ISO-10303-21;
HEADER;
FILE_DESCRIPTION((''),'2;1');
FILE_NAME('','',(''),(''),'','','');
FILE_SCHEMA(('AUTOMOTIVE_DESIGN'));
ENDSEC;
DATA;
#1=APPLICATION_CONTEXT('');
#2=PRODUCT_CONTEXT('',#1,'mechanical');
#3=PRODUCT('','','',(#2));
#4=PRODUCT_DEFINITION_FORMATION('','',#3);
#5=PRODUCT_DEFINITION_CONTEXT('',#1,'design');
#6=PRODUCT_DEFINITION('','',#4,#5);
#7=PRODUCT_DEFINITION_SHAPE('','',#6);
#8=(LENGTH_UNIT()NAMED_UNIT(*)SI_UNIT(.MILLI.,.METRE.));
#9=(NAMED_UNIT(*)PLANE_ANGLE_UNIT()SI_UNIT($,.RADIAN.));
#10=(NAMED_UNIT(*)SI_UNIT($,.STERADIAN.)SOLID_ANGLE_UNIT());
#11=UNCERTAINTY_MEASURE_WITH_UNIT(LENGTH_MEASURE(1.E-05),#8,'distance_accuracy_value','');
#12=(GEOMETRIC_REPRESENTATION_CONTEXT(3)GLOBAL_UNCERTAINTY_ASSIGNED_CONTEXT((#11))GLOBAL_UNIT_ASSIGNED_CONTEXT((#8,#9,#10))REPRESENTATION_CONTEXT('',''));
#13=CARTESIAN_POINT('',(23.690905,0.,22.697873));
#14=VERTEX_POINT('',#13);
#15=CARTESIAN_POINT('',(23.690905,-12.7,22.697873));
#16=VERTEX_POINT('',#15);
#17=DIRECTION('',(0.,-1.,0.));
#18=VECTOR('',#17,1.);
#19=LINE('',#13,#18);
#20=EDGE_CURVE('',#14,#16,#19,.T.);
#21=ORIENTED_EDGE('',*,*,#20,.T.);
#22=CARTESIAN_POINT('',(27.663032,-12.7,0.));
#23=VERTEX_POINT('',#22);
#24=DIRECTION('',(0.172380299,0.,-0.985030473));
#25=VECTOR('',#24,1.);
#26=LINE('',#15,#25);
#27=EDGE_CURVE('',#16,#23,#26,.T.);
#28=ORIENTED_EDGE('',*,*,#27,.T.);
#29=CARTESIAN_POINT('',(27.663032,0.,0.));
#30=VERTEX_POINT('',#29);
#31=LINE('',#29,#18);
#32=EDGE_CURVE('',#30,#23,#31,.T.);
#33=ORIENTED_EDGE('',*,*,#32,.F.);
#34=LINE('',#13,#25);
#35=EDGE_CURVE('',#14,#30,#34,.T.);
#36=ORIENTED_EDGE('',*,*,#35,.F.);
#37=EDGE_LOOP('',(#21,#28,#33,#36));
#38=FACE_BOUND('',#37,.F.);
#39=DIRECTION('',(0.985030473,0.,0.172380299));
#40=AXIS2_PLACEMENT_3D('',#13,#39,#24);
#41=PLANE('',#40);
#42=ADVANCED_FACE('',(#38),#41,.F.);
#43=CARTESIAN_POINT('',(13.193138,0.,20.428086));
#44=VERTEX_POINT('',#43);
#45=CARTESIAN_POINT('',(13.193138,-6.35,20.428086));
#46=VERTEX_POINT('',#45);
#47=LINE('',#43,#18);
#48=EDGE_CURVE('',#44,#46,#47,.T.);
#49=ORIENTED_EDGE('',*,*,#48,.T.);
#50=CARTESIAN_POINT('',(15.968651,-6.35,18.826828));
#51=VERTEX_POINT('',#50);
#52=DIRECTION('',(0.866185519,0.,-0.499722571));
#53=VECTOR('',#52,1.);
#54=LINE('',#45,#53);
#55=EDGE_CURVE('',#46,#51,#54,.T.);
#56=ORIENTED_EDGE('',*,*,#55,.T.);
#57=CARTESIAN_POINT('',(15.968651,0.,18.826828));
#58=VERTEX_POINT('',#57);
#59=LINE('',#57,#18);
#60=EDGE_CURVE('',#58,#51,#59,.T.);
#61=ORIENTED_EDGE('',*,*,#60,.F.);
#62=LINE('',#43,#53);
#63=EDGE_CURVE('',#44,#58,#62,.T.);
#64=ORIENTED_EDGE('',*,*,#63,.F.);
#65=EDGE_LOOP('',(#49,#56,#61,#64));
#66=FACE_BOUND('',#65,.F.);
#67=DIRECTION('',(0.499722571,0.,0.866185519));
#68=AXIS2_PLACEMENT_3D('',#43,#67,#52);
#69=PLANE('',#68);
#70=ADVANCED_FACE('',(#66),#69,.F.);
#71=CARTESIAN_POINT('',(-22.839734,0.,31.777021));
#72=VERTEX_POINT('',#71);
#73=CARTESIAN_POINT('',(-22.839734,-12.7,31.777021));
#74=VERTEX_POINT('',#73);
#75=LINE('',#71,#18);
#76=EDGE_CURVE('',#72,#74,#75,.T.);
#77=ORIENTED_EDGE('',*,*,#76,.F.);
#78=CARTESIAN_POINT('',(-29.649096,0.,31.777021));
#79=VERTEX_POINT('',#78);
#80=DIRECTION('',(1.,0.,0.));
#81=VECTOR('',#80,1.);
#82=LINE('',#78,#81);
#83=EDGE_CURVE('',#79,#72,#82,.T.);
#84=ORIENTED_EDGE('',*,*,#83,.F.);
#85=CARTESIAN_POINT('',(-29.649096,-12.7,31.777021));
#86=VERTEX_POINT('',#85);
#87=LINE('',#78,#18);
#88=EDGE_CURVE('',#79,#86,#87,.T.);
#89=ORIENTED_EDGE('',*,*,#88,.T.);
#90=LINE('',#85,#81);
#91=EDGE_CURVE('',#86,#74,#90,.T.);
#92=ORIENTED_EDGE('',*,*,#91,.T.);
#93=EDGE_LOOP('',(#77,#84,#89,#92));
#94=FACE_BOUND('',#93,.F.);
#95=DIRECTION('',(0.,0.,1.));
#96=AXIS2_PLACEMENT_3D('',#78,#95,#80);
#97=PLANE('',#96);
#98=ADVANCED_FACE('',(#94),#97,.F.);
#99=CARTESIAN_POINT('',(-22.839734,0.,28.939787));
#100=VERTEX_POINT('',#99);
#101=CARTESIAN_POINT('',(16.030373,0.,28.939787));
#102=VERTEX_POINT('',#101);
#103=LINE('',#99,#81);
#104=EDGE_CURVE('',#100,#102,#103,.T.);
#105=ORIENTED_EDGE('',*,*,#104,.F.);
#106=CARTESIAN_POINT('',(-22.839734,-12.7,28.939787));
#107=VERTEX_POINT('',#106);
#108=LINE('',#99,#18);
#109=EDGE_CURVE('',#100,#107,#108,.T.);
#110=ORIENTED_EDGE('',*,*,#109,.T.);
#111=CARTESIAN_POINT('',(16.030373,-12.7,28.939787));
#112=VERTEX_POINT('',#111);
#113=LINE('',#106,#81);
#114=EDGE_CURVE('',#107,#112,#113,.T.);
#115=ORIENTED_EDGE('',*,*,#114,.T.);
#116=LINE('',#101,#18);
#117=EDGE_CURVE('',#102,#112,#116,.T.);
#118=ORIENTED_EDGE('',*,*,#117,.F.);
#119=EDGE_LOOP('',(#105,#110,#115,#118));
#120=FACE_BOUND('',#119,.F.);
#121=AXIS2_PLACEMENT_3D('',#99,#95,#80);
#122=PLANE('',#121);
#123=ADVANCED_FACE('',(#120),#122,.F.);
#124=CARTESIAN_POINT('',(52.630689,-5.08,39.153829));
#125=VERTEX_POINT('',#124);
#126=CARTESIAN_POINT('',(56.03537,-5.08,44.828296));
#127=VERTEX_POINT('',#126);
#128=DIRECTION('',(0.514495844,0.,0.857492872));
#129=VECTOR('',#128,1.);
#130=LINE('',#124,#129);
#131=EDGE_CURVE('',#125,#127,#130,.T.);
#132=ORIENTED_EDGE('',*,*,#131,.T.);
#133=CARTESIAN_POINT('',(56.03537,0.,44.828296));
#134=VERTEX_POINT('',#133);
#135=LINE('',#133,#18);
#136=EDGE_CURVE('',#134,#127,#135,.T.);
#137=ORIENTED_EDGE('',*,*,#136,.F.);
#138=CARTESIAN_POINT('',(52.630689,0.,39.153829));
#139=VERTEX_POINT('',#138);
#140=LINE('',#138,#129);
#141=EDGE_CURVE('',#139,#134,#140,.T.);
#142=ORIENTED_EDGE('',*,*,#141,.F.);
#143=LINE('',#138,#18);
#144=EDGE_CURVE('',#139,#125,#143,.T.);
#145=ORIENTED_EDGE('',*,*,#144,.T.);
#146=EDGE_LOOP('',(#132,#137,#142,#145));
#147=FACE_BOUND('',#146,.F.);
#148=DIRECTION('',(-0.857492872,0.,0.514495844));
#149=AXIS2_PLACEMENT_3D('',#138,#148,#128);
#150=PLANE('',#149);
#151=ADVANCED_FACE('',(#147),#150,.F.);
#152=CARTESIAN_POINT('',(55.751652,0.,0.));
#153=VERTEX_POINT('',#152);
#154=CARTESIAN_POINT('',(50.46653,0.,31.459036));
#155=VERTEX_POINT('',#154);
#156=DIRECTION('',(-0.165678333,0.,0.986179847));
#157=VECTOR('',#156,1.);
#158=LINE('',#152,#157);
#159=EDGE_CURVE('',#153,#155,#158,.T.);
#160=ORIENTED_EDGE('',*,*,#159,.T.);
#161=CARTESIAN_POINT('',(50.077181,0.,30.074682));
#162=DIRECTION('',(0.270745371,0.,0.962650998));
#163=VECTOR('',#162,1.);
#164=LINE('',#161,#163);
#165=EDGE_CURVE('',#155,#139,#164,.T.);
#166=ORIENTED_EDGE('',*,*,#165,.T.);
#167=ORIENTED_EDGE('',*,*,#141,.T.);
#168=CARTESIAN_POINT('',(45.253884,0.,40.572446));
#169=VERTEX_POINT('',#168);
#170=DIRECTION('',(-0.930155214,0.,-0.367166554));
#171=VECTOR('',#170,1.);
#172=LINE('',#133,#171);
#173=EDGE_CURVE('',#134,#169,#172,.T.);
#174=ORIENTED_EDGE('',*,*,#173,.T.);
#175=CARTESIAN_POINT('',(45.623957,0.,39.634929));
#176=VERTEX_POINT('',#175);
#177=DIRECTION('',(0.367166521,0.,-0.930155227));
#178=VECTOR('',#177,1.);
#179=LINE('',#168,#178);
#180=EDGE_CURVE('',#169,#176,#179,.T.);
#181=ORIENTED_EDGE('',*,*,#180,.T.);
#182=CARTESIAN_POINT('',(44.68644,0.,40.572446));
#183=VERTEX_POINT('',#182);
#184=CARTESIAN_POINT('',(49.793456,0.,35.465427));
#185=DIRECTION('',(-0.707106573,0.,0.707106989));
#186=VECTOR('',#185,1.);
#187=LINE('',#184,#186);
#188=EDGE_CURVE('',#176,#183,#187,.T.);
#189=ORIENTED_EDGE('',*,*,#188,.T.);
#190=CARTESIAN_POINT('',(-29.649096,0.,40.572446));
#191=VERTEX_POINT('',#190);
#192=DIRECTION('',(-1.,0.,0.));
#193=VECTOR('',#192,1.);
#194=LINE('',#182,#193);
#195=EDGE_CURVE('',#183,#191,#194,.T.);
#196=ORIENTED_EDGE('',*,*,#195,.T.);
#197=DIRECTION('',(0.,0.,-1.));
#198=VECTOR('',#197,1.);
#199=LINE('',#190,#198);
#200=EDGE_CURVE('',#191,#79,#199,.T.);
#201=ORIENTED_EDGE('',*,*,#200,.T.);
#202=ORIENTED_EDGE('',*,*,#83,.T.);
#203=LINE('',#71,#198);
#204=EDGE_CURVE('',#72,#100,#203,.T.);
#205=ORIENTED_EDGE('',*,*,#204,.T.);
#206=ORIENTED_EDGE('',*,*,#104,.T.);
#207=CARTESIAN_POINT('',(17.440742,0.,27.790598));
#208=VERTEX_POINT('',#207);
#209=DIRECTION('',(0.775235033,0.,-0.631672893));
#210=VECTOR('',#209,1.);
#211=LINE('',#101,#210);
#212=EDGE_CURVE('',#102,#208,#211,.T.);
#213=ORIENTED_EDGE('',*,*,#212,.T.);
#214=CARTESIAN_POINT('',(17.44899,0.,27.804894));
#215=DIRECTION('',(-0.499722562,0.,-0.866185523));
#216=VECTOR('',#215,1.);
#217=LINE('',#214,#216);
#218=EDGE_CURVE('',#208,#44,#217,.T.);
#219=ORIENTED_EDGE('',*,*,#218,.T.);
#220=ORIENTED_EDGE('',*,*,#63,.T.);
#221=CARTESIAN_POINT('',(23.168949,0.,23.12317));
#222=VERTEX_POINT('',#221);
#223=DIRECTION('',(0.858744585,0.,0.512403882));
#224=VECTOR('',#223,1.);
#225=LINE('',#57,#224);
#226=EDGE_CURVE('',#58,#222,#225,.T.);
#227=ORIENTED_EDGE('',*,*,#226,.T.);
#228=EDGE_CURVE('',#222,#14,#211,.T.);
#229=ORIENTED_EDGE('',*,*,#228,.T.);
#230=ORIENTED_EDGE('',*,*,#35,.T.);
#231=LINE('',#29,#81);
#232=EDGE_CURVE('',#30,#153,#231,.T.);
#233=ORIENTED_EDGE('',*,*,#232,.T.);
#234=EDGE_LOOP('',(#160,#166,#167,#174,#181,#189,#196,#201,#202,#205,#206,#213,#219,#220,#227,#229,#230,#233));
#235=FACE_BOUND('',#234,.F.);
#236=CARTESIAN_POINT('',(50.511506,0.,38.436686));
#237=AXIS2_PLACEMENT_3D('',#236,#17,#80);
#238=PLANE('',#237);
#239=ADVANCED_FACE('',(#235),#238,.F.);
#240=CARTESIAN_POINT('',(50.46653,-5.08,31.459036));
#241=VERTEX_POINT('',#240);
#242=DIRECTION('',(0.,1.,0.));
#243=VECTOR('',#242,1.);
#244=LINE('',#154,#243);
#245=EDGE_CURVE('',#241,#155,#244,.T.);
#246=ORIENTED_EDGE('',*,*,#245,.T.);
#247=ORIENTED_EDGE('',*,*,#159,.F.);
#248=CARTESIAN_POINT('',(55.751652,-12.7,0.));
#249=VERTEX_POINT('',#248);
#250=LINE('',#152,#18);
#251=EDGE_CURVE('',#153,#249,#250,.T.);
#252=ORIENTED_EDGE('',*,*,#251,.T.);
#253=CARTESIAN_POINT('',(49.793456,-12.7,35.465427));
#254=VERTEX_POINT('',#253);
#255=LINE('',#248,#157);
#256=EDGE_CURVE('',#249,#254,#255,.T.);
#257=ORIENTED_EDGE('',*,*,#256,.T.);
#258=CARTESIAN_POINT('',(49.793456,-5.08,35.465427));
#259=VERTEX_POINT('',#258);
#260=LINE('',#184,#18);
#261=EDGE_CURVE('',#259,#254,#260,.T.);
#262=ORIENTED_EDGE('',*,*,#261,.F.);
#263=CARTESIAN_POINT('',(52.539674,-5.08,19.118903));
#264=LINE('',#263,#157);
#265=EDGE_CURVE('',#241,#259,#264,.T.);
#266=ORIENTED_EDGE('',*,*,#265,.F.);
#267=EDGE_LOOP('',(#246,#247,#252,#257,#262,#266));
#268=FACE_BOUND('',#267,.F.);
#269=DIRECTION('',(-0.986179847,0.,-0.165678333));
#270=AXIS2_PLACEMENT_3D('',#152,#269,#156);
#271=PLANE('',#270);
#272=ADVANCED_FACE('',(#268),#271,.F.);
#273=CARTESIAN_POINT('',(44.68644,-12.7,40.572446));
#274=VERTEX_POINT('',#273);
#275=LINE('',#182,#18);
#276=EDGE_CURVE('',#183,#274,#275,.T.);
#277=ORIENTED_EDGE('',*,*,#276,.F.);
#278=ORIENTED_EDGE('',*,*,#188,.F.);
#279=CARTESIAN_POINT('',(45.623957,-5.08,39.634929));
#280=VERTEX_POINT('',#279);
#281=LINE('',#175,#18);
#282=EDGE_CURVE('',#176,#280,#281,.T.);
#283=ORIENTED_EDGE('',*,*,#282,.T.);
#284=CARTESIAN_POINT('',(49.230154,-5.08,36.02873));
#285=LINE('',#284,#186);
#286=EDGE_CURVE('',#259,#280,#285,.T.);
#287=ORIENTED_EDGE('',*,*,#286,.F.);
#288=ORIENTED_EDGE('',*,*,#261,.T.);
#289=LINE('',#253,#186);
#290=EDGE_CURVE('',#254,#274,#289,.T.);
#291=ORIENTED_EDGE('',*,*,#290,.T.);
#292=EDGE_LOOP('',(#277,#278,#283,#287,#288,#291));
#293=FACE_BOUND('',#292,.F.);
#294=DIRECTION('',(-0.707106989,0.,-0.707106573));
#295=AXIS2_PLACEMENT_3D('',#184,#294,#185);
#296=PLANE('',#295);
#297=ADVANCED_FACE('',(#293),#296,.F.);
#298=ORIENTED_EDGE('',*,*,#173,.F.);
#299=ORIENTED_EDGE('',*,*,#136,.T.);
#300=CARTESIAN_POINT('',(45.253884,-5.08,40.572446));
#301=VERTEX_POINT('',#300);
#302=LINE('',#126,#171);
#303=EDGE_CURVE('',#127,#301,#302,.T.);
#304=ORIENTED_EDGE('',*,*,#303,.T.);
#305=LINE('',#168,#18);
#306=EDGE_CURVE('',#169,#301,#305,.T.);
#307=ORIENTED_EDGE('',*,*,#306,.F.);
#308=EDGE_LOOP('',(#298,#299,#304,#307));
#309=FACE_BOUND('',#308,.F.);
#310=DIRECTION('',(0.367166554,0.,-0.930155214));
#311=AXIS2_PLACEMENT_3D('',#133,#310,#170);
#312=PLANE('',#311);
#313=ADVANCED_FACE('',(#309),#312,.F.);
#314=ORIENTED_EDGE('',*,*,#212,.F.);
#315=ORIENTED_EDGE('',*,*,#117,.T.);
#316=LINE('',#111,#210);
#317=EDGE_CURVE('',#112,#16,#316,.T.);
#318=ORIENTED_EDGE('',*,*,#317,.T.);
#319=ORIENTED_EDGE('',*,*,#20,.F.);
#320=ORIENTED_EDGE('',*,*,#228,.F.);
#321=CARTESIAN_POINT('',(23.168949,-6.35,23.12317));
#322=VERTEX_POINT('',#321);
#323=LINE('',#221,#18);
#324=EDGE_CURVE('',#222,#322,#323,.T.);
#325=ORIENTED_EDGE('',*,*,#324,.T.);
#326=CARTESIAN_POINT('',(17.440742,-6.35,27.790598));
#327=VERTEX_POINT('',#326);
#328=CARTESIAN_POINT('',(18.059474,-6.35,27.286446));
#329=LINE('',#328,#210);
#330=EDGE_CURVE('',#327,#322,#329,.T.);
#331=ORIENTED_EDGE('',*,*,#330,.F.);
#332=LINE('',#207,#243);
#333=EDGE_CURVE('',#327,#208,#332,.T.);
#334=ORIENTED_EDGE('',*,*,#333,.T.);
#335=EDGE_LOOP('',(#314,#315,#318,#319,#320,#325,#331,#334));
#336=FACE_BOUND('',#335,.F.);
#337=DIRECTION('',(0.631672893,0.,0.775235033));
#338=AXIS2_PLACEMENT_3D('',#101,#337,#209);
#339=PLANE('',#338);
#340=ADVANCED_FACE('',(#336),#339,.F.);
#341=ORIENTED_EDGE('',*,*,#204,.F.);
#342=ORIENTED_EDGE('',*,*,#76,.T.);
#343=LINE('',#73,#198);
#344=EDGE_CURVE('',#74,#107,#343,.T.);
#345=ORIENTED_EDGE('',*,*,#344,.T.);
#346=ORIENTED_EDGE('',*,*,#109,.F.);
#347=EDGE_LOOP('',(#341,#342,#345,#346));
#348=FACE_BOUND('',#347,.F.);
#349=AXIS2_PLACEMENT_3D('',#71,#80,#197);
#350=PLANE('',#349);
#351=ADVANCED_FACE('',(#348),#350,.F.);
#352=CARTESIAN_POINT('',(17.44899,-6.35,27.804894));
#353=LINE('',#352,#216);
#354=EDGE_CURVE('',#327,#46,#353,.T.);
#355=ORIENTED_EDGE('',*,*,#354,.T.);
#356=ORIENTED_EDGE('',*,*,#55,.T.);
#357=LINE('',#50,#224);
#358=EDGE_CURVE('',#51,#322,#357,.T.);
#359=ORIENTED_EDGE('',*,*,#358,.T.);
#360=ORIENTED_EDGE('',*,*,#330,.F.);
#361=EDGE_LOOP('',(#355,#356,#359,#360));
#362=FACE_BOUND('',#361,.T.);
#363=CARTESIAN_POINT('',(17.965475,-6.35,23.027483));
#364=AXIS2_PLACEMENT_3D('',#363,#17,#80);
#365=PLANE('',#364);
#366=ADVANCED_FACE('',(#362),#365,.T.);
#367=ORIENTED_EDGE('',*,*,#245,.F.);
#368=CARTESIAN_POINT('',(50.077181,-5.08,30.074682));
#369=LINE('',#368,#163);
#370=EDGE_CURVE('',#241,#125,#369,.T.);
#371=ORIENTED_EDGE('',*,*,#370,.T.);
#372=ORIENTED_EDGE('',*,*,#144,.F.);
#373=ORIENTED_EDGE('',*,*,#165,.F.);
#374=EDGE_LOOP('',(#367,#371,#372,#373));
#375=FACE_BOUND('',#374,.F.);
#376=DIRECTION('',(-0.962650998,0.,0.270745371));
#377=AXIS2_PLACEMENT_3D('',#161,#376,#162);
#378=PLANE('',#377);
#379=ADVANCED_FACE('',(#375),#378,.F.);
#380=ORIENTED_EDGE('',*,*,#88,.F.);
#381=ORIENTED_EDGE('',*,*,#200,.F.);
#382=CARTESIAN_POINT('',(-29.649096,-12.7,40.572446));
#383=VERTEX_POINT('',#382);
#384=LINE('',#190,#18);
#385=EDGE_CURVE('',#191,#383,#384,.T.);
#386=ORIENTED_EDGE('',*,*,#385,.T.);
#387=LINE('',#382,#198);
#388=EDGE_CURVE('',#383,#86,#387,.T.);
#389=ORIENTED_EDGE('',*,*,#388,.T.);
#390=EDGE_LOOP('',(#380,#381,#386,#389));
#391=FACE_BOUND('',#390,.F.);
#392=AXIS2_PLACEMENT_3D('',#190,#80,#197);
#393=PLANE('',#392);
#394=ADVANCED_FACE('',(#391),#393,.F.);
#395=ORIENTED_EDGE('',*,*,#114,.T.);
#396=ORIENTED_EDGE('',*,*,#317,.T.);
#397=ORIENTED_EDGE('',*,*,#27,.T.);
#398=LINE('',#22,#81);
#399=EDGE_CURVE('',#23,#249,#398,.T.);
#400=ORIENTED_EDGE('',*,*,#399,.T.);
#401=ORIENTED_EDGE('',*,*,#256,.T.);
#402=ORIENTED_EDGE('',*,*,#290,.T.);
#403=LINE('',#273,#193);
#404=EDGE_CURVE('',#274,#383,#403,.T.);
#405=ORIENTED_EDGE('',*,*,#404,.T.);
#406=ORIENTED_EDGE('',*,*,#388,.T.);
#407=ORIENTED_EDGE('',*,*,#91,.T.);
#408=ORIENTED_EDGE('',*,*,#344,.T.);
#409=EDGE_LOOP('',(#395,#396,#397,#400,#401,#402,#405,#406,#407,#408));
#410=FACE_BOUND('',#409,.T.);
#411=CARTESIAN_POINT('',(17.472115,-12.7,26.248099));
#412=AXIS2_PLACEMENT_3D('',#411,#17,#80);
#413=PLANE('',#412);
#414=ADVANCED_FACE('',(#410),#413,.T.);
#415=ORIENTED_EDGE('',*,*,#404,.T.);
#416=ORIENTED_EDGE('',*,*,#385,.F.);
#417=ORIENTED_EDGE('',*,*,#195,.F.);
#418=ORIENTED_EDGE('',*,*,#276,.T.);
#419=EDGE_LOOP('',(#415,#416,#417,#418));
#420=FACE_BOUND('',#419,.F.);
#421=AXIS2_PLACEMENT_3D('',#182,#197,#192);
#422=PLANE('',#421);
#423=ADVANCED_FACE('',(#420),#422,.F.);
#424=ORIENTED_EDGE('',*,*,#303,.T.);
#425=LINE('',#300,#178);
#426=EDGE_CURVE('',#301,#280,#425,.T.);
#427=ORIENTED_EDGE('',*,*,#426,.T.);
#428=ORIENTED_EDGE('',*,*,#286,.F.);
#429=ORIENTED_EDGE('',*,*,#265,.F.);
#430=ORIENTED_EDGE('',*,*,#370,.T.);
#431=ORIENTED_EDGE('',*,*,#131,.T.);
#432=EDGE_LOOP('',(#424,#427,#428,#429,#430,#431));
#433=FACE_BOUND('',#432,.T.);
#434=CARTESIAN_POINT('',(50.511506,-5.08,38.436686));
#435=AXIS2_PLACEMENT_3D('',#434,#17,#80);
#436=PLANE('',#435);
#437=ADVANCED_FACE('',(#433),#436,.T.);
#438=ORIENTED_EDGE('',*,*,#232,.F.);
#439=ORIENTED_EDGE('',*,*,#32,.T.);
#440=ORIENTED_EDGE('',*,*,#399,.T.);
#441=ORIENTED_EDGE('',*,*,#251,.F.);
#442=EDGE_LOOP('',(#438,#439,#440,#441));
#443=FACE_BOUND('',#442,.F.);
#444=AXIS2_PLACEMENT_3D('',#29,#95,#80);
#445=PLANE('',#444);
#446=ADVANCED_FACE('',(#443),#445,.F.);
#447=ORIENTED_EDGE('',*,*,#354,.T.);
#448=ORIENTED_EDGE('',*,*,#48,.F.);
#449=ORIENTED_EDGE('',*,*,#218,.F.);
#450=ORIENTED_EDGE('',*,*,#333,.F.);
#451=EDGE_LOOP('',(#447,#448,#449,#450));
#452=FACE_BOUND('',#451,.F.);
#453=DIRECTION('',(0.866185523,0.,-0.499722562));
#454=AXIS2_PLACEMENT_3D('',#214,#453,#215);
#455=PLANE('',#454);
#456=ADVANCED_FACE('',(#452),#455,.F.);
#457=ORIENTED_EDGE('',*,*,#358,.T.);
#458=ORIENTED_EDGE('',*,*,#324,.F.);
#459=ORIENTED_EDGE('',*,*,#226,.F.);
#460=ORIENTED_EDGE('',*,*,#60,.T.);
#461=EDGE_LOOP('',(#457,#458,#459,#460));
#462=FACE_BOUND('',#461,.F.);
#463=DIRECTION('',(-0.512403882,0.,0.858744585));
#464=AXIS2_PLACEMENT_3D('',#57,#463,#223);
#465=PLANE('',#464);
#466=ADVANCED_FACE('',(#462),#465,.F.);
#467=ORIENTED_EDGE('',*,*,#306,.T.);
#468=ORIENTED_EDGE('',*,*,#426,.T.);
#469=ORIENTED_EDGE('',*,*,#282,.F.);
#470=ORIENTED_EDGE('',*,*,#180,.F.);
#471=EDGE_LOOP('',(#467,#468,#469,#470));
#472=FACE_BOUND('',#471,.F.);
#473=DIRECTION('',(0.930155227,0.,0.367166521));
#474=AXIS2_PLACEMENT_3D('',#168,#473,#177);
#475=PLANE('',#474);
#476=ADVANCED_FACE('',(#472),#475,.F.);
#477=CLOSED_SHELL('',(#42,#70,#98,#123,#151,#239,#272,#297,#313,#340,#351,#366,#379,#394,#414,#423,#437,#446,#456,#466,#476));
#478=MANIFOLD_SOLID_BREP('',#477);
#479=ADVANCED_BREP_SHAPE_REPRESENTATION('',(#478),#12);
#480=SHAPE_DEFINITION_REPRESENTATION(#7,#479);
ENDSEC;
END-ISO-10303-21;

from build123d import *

# Parameters (mm, degrees)
F1_DEPTH = 12.7
F3_DEPTH = 5.08
F5_DEPTH = 6.35


with BuildPart() as f1:
    # F0 (on Front) → F1 (new body)
    with BuildSketch(Plane.XZ):
        Polygon((23.690905, 22.697873), (27.663032, 0), (55.751652, 0), (49.793456, 35.465427), (44.68644, 40.572446), (-29.649096, 40.572446), (-29.649096, 31.777021), (-22.839734, 31.777021), (-22.839734, 28.939787), (16.030373, 28.939787), align=None)
    extrude(amount=F1_DEPTH)

    # F2 (on Front) → F3 (join)
    with BuildSketch(Plane.XZ):
        Polygon((56.03537, 44.828296), (45.253884, 40.572446), (47.605801, 34.614256), (50.077181, 30.074682), (52.630689, 39.153829), align=None)
    extrude(amount=F3_DEPTH)

    # F4 (on Front) → F5 (join)
    with BuildSketch(Plane.XZ):
        Polygon((23.407178, 23.265319), (17.44899, 27.804894), (13.193138, 20.428086), (15.968651, 18.826828), align=None)
    extrude(amount=F5_DEPTH)


solid = f1.part
